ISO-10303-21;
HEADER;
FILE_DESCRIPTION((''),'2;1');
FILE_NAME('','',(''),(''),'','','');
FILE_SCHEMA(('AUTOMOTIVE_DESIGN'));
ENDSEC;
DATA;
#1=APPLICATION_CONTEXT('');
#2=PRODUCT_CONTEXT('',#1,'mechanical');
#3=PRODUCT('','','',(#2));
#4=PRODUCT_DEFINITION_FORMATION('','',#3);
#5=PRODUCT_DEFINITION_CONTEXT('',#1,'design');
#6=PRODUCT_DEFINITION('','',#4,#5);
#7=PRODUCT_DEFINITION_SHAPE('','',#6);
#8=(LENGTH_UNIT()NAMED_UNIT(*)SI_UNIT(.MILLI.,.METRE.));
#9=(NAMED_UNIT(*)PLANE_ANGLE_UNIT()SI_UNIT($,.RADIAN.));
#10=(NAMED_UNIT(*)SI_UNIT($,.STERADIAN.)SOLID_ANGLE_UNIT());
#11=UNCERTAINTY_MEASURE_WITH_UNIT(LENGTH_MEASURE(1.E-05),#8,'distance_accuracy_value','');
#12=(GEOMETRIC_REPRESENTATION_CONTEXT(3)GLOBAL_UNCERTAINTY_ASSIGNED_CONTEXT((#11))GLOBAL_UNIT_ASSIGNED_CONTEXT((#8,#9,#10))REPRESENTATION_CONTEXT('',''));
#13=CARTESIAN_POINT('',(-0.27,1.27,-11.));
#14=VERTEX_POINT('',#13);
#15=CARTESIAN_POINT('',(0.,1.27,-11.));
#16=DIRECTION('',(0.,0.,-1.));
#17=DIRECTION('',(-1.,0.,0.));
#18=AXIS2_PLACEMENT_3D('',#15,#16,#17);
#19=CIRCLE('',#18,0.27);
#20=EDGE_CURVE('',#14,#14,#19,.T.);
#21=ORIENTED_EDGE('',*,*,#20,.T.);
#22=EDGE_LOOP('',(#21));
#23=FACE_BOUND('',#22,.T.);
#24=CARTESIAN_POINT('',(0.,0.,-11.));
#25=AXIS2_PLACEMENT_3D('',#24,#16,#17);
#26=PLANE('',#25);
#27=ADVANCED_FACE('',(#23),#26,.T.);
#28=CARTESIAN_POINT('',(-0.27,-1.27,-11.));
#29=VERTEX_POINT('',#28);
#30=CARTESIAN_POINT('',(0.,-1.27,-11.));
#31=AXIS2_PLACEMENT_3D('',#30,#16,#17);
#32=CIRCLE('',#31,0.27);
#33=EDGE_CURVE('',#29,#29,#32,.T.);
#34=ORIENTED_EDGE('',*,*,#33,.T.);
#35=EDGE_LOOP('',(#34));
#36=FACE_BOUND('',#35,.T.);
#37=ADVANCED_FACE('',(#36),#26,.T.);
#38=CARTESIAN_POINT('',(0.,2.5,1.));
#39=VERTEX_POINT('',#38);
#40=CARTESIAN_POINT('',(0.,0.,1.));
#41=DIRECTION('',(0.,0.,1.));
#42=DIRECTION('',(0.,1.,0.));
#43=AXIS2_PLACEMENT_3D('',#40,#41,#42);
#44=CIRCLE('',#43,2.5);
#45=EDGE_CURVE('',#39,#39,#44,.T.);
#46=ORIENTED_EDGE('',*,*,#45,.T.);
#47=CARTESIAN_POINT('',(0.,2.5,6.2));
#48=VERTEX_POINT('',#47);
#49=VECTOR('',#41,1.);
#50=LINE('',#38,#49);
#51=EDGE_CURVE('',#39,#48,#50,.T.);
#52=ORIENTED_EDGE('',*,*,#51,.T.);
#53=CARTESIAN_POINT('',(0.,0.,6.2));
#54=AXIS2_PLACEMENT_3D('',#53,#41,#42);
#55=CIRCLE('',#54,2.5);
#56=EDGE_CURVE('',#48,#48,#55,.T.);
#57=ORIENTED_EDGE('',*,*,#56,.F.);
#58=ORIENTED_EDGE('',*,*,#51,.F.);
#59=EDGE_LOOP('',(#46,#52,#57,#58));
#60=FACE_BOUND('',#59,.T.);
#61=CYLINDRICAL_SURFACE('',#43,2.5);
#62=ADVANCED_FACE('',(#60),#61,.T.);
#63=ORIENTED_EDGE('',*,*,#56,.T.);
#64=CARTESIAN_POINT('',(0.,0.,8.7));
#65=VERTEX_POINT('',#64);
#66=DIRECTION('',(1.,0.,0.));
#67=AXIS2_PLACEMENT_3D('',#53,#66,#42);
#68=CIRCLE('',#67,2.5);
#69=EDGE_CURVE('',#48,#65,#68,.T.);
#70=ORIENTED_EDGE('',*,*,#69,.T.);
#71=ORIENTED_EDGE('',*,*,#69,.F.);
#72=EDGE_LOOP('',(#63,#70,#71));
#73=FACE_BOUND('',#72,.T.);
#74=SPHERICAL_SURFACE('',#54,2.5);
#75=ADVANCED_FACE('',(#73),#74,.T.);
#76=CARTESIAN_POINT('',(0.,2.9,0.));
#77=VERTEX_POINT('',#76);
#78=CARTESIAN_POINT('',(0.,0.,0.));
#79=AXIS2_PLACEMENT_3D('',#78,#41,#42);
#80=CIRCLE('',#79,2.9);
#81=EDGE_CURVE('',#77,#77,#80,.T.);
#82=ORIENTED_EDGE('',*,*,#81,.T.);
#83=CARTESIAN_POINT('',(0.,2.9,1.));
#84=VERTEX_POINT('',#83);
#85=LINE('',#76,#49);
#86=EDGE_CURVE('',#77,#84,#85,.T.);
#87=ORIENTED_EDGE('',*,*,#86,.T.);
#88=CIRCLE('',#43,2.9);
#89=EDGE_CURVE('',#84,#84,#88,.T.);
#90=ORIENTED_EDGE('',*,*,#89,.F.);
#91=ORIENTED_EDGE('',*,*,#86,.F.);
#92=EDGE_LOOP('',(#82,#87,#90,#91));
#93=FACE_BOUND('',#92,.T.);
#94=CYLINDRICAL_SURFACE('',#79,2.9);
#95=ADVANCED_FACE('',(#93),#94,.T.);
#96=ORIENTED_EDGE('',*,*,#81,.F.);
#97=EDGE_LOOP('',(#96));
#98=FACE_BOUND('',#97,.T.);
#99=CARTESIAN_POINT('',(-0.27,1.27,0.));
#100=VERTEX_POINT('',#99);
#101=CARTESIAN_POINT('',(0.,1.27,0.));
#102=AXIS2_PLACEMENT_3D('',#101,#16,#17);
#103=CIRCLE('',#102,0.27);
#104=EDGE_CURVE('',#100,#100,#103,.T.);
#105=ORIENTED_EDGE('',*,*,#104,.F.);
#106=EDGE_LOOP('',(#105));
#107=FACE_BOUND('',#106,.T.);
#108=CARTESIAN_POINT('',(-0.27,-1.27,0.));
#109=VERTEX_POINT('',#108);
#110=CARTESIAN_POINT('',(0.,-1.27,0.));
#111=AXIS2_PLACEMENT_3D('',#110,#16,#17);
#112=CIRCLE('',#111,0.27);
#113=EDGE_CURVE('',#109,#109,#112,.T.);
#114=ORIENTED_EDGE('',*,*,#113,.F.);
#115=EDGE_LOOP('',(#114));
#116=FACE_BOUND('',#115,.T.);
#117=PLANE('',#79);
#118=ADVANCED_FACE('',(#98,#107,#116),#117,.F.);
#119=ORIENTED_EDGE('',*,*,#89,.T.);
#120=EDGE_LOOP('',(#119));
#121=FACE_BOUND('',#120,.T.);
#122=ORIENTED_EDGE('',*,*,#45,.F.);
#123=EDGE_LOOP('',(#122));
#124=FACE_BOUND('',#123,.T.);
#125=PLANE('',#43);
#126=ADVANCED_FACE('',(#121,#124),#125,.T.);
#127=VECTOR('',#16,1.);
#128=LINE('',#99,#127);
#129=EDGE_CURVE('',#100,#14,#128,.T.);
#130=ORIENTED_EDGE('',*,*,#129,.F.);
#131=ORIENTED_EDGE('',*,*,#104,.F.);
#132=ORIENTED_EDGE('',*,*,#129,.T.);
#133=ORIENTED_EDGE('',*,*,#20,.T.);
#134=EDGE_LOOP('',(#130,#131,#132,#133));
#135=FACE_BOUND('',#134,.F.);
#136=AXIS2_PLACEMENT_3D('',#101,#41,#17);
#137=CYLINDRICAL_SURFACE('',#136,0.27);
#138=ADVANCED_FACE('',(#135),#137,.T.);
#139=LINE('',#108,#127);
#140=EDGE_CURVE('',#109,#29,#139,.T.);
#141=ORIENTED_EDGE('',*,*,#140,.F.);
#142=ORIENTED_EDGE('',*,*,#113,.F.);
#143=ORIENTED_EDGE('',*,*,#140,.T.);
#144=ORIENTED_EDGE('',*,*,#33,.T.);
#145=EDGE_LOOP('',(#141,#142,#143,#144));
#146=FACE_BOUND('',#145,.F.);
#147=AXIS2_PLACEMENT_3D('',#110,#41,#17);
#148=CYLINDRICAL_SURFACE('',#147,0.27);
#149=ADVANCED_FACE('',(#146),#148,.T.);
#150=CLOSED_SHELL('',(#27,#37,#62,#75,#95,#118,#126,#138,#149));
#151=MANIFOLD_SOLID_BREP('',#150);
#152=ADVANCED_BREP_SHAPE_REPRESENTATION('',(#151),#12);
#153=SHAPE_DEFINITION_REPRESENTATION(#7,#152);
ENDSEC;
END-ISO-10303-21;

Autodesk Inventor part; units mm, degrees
ref_plane "YZ Plane" through (0, 0, 0) normal (1, 0, 0) x (0, 1, 0)
ref_plane "XZ Plane" through (0, 0, 0) normal (0, 1, 0) x (-1, 0, 0)
ref_plane "XY Plane" through (0, 0, 0) normal (0, 0, 1) x (1, 0, 0)
sketch "Boceto40" plane through (0, 0, 0) normal (1, 0, 0) x (0, 1, 0)
  line L0 (0, 0) -> (0, 9.551)
  line L1 (0, 0) -> (2.9, 0)
  line L2 (2.9, 0) -> (2.9, 1)
  line L3 (2.9, 1) -> (2.5, 1)
  line L4 (2.5, 1) -> (2.5, 6.2)
  arc A0 (2.5, 6.2) -> (0, 8.7) centre (0, 6.2) ccw
  line L5 (0, 0) -> (0, 8.7)
  dimension "d373" = 5
  dimension "d374" = 5.8
  dimension "d375" = 1
  dimension "d376" = 7.7
revolve "Revolución14" add sketch "Boceto40" angle 360 about axis through (0, 0, 0) along (0, 0, 1)
sketch "Boceto41" plane through (0, 0, 0) normal (0, 0, -1) x (-1, 0, 0)
  circle A0 centre (0, 1.27) radius 0.27
  circle A1 centre (0, -1.27) radius 0.27
  point P0 (0, 0)
  dimension "d378" = 2.54
  dimension "d379" = 1.27
  dimension "d380" = 0.54
extrude "Extrusión13" add sketch "Boceto41" along normal blind 11
properties part number "LED_5MM_RED_9"
